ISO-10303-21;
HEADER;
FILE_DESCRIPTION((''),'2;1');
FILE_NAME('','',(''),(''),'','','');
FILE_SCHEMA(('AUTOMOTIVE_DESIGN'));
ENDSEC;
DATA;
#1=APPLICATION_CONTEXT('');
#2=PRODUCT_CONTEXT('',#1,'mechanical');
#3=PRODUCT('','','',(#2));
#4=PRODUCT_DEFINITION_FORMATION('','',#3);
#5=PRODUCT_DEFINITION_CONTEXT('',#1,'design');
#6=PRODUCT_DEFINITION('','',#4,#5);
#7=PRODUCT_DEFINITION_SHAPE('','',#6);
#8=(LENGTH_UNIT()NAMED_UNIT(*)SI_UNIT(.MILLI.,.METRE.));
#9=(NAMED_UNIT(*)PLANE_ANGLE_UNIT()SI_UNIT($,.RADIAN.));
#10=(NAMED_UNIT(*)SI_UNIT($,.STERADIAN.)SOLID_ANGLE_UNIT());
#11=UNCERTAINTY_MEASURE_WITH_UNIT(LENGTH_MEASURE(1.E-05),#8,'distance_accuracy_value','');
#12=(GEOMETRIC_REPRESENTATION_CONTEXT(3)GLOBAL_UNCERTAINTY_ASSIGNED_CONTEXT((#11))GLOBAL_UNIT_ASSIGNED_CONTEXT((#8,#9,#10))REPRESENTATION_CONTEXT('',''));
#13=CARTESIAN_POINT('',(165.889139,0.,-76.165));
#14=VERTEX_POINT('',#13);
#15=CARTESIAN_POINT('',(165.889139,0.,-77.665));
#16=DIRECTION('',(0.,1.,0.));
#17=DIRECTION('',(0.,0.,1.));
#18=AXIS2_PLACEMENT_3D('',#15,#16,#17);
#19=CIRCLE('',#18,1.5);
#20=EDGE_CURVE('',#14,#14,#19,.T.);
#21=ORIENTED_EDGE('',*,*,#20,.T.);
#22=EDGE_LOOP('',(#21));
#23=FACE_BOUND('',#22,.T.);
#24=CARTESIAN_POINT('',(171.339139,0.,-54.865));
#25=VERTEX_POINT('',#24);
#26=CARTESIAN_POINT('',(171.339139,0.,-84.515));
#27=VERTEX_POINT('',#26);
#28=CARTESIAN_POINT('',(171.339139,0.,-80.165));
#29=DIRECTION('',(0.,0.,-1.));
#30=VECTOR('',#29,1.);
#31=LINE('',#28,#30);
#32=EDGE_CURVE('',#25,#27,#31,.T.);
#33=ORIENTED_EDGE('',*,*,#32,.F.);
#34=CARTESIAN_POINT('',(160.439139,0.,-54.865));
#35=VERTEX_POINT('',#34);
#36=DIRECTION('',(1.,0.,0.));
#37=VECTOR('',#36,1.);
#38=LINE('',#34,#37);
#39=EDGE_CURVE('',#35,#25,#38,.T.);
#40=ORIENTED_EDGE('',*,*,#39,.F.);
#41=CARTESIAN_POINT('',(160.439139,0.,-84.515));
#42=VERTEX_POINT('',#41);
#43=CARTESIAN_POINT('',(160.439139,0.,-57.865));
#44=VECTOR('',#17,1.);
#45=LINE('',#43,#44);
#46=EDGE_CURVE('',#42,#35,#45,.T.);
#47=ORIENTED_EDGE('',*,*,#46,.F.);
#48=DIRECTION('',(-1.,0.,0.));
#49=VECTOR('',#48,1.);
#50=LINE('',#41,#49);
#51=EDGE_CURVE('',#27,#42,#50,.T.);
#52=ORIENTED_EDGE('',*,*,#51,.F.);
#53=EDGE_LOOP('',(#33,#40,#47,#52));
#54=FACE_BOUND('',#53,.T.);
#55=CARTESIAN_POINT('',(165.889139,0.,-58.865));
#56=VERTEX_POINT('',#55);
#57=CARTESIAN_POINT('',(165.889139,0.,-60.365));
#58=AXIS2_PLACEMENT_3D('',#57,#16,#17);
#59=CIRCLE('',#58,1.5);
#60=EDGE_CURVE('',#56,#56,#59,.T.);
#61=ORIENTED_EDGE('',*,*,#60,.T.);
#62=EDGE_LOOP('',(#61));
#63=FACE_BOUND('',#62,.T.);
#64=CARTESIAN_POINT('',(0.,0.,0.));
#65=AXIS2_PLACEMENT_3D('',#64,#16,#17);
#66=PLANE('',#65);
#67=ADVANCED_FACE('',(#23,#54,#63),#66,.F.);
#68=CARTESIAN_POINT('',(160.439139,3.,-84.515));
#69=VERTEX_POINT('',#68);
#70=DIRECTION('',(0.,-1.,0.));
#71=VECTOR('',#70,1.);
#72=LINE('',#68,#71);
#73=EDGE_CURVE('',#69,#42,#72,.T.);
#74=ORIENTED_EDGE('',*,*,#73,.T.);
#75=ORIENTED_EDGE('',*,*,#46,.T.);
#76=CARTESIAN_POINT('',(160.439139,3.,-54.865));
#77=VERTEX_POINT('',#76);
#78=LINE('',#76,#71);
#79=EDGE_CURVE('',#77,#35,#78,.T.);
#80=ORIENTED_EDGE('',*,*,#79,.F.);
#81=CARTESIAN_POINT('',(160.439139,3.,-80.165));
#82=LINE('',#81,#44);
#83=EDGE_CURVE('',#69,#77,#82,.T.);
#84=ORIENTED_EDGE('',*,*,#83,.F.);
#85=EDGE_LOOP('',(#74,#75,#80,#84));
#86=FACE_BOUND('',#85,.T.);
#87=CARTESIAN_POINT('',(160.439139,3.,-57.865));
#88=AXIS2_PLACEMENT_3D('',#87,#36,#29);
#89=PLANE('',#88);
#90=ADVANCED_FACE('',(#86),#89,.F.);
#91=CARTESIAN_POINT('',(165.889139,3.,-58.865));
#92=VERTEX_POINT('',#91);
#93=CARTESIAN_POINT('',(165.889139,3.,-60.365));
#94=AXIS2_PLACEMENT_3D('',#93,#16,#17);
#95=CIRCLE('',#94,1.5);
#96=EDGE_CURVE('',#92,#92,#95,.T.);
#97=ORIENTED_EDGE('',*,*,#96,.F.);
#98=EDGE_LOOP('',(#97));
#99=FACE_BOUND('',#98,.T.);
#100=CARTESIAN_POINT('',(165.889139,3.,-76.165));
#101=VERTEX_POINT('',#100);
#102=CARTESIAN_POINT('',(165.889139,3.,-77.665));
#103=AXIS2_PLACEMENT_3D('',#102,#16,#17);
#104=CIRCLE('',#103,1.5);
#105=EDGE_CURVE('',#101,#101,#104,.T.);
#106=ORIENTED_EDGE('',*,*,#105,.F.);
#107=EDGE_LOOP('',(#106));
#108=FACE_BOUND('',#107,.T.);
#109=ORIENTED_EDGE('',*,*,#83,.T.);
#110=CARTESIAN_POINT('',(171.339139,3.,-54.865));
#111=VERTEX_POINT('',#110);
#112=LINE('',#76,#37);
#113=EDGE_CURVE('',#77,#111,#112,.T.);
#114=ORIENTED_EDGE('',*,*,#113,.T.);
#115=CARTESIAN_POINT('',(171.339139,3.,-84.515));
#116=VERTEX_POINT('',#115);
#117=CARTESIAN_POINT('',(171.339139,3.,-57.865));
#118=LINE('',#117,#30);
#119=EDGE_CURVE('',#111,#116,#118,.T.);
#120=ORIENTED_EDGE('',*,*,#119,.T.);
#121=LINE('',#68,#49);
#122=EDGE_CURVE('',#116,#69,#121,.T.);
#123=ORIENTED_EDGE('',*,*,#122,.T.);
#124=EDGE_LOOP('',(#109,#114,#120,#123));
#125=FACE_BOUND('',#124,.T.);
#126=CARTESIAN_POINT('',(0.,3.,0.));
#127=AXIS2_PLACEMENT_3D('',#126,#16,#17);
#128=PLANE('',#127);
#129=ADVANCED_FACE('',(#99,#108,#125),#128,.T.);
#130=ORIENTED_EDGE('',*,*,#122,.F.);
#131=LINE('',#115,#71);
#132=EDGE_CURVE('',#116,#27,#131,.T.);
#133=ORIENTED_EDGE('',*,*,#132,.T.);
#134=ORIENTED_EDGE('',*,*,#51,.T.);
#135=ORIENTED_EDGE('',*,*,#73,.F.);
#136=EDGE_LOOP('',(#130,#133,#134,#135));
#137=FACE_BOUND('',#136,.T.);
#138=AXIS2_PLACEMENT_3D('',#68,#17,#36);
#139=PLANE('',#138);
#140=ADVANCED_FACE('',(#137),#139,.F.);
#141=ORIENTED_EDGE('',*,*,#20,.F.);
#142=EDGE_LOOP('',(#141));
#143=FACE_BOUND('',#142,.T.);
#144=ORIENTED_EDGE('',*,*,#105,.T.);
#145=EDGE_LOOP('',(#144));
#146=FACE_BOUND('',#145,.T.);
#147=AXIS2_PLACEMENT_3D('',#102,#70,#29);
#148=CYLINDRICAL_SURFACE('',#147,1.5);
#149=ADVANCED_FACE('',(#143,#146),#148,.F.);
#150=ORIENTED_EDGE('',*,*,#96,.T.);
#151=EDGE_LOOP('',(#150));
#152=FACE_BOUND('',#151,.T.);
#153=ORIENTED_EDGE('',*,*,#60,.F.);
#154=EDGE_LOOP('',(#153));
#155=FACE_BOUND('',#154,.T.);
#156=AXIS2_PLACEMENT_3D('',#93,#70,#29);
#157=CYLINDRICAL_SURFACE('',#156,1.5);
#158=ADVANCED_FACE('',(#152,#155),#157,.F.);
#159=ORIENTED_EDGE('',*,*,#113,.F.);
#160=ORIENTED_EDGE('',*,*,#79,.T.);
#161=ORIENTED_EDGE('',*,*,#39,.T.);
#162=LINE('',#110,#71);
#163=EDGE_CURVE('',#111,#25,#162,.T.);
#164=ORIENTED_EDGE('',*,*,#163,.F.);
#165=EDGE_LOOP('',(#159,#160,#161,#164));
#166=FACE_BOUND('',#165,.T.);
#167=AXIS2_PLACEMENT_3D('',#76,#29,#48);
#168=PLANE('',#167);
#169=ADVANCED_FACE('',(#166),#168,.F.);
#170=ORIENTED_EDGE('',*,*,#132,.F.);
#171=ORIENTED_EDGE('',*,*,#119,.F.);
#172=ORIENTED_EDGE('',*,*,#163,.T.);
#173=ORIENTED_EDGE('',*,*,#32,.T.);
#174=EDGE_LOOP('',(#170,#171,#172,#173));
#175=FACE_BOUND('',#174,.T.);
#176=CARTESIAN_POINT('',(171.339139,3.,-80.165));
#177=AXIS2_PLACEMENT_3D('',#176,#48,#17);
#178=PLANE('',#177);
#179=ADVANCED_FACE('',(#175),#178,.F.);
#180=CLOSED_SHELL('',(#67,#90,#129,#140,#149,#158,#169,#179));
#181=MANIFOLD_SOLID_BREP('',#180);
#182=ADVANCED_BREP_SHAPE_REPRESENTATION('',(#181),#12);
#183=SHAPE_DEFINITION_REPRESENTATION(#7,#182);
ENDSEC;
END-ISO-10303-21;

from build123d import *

# Parameters (mm, degrees)
SKETCH1_R           = 1.5
BOSS_EXTRUDE1_DEPTH = 3


with BuildPart() as part:
    # Sketch1 → Boss-Extrude1 (new body)
    with BuildSketch(Plane(origin=(0, 0, 0), x_dir=(1, 0, 0), z_dir=(0, 1, 0))):
        Polygon((160.439139144, 80.165), (160.439139144, 57.865), (160.439139144, 54.865), (171.339139144, 54.865), (171.339139144, 57.865), (171.339139144, 80.165), (171.339139144, 84.515), (160.439139144, 84.515), align=None)
        with Locations(Location((165.889139144, 77.665, 0), (0, 0, 270))):
            Circle(SKETCH1_R, mode=Mode.SUBTRACT)
        with Locations(Location((165.889139144, 60.365, 0), (0, 0, 270))):
            Circle(SKETCH1_R, mode=Mode.SUBTRACT)
    extrude(amount=BOSS_EXTRUDE1_DEPTH)


solid = part.part
